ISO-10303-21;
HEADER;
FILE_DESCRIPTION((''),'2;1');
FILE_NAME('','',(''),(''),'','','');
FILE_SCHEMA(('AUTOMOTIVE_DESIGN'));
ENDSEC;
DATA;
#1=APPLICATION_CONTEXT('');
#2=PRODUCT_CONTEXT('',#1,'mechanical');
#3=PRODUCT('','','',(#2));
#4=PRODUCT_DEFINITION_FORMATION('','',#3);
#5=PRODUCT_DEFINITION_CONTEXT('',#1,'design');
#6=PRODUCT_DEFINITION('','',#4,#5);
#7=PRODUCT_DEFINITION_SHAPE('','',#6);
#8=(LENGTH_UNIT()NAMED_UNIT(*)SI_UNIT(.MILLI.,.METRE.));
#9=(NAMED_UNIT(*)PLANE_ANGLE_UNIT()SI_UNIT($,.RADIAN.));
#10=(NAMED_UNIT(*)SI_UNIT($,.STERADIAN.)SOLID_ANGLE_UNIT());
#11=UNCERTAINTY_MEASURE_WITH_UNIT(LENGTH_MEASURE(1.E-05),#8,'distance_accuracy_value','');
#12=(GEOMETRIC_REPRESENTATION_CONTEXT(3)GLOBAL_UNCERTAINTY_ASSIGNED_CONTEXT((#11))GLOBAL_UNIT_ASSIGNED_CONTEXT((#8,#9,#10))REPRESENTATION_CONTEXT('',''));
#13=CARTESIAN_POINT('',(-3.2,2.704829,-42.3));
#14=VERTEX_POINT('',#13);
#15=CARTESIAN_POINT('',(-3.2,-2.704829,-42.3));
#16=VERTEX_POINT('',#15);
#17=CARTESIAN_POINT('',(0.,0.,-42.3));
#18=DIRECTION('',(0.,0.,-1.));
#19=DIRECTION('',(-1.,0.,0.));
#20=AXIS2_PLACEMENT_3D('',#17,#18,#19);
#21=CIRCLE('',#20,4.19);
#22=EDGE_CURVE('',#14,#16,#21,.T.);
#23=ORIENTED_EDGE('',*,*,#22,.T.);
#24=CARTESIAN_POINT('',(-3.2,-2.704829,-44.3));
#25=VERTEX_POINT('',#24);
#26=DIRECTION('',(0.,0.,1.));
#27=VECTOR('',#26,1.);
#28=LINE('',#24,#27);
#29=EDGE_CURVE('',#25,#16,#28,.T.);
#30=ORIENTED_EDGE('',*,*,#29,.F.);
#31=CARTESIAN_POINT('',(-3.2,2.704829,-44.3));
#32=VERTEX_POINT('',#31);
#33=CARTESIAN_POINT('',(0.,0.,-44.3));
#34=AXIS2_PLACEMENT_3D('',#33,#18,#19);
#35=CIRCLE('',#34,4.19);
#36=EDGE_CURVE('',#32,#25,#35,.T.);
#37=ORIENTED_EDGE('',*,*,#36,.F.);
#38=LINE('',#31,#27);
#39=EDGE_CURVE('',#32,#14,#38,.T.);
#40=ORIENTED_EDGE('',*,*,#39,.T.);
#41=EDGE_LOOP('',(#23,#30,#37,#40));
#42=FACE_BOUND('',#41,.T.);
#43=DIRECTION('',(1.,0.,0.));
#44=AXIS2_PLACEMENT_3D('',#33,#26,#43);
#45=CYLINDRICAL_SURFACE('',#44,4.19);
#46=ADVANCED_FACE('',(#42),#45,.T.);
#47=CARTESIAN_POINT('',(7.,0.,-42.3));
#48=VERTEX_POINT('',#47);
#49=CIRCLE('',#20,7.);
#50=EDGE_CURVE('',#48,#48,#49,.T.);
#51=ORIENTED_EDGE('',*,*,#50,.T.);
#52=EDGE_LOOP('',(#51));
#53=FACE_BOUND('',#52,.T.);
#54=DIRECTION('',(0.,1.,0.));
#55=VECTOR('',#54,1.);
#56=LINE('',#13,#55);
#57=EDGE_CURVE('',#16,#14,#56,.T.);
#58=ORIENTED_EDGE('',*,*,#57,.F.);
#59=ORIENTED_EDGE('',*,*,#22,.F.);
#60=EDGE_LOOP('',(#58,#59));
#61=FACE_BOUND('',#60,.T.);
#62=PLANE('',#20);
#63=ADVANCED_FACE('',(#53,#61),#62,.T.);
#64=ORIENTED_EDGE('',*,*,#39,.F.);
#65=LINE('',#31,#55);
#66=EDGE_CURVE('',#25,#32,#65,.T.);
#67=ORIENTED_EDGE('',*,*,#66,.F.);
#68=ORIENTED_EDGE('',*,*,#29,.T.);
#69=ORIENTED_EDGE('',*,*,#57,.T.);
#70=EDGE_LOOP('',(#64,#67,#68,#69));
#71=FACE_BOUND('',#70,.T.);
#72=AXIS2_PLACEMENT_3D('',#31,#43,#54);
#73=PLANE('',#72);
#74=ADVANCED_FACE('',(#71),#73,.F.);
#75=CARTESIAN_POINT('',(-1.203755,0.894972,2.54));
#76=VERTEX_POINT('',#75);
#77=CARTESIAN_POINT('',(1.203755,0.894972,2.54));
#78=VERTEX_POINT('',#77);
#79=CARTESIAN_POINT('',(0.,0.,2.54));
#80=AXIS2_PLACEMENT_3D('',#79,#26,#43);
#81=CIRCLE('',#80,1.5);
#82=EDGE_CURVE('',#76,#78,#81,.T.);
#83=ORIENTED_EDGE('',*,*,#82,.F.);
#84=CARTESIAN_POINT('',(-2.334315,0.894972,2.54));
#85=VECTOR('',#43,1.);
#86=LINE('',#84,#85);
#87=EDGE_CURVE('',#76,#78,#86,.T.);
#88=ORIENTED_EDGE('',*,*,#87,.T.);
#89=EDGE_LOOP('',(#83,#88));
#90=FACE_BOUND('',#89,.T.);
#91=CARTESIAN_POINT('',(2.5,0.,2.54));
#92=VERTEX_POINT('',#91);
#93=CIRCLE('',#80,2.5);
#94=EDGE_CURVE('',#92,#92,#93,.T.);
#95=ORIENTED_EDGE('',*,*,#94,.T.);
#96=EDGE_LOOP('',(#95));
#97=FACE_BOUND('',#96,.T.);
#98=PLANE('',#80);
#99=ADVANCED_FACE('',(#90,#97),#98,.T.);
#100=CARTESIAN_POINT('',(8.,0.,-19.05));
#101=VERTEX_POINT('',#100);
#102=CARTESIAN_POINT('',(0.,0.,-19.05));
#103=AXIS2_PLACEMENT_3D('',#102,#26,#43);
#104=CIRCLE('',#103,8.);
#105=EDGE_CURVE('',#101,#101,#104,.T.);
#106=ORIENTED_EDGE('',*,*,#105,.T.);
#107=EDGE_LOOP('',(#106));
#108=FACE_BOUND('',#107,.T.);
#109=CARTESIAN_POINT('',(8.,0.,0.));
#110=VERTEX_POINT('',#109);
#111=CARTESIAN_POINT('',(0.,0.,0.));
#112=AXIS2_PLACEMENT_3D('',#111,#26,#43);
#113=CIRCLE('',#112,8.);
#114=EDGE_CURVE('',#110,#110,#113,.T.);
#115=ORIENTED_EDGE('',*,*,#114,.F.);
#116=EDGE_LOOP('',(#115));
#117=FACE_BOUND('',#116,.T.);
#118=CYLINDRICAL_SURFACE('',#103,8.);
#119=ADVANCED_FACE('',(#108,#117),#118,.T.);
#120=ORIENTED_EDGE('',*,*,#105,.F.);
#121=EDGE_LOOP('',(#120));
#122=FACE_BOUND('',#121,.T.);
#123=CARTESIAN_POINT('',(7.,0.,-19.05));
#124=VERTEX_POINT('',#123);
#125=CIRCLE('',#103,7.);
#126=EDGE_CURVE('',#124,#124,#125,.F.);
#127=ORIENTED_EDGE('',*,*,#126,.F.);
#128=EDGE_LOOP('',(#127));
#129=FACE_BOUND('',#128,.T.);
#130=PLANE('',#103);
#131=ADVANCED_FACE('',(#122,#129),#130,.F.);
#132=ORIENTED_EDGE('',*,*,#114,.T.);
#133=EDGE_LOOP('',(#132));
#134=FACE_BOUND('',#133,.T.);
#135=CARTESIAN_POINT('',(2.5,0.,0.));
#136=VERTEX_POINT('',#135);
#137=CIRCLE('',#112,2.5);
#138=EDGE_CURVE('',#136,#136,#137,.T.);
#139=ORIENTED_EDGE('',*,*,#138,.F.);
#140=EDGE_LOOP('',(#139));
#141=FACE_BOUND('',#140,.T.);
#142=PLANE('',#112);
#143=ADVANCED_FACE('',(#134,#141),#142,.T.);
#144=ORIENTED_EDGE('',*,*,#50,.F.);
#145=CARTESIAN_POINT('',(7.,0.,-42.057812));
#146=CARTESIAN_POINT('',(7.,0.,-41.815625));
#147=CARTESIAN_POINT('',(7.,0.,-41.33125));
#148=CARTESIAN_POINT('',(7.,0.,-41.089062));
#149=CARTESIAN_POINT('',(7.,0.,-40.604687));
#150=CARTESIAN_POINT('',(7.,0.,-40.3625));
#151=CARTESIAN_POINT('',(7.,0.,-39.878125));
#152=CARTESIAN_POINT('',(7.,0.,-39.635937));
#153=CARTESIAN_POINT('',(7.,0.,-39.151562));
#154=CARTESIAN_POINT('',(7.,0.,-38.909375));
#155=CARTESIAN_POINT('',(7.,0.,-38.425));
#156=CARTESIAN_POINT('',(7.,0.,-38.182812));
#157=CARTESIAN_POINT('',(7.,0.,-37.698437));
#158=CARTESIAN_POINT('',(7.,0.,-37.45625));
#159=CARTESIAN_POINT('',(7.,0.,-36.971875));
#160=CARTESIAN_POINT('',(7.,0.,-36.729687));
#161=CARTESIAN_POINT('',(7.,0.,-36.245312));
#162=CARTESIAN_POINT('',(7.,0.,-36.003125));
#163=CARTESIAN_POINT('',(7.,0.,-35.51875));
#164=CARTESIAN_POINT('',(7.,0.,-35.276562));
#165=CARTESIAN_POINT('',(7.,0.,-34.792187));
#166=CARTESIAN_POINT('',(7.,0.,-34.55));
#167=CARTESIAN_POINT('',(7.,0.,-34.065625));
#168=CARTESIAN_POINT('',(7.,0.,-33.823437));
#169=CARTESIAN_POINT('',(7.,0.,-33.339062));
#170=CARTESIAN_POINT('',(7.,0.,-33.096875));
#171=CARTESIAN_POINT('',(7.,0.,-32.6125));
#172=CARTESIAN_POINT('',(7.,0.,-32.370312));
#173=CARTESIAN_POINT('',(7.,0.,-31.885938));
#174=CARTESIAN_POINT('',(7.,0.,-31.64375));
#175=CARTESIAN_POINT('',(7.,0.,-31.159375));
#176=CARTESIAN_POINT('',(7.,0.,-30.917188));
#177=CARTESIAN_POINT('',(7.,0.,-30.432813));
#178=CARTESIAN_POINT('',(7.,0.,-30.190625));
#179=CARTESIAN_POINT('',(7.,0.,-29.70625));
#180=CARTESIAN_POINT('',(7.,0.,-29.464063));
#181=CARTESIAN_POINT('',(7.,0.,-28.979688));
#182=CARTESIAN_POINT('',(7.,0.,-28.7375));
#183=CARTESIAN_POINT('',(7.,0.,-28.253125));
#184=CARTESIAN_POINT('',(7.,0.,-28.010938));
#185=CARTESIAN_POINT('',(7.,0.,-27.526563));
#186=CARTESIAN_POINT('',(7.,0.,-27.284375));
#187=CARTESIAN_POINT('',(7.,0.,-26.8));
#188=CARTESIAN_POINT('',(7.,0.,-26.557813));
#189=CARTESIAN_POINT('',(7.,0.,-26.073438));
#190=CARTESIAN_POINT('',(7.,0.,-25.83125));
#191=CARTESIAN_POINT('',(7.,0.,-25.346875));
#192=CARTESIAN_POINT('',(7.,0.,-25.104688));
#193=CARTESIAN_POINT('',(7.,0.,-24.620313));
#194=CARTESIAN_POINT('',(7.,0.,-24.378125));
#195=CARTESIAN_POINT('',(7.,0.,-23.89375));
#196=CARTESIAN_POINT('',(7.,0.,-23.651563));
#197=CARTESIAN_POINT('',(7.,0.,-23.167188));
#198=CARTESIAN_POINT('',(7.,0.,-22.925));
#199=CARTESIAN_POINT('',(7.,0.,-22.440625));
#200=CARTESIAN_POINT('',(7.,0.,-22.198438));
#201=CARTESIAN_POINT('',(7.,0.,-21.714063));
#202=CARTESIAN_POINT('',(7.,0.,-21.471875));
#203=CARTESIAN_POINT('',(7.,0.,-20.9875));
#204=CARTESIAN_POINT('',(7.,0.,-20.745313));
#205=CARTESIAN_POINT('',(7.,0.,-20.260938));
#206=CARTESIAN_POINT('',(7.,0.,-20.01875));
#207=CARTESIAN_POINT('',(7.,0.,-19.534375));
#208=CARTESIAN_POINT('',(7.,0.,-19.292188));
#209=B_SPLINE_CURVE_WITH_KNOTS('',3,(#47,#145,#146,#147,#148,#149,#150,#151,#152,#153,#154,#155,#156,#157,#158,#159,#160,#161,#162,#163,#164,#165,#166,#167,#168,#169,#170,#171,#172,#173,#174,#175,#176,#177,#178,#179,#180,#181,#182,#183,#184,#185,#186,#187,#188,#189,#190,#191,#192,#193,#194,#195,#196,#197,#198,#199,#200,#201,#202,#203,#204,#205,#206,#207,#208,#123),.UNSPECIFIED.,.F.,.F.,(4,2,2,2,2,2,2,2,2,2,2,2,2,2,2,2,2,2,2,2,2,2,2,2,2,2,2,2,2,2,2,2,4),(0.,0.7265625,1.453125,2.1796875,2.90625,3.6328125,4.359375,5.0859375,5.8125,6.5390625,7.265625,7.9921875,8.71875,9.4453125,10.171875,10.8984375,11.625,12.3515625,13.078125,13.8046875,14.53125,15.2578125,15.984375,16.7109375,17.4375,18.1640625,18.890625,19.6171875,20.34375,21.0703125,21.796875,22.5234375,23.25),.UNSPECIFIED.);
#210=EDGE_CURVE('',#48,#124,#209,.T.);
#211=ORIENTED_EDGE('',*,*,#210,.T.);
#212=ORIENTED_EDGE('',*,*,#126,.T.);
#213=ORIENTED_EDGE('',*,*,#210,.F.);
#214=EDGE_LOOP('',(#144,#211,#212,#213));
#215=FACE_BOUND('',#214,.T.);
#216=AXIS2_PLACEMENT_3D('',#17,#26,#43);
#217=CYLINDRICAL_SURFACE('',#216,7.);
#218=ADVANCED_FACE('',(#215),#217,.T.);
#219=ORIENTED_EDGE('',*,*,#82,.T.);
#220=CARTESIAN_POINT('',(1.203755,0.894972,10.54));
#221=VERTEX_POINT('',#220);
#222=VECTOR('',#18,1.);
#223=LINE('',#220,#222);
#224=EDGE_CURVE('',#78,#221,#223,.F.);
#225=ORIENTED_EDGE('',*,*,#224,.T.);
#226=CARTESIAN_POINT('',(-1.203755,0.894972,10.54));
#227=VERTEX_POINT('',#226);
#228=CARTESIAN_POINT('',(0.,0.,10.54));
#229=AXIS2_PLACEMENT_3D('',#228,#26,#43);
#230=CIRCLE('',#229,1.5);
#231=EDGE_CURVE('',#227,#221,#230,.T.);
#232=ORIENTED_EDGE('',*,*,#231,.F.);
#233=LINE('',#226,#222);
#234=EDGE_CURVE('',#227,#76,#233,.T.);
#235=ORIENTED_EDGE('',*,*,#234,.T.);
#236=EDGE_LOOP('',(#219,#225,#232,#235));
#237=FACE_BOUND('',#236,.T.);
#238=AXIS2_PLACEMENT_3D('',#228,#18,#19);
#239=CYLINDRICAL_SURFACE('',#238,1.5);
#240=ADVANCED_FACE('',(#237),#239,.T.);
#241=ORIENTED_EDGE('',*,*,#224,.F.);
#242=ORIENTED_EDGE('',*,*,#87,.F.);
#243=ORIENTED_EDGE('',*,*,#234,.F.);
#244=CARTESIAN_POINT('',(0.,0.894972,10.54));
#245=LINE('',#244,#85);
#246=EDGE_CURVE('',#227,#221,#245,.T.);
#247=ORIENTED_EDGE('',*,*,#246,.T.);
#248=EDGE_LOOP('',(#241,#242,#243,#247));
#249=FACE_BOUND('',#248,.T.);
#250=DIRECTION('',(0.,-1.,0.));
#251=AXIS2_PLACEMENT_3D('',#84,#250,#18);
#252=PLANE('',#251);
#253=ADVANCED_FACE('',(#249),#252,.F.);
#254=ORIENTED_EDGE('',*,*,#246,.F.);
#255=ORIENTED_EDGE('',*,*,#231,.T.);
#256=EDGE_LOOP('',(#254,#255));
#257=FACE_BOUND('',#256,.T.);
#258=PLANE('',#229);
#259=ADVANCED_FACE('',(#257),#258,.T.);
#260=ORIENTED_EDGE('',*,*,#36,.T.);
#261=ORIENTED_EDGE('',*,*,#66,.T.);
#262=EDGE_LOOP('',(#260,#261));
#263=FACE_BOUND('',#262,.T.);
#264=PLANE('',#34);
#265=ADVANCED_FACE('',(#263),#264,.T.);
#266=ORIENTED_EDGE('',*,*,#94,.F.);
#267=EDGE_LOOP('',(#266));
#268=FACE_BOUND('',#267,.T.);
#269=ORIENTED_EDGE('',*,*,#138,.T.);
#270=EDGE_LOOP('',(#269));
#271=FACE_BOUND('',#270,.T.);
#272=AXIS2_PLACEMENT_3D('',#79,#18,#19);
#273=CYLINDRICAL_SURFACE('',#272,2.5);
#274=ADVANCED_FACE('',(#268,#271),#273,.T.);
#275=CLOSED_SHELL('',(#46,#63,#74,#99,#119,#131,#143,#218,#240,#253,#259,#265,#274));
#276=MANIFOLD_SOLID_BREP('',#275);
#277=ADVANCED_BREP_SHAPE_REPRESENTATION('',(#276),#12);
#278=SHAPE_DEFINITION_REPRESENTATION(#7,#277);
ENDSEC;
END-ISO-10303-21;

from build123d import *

# Parameters (mm, degrees)
SKETCH2_R           = 8
BASE_EXTRUDE_DEPTH  = 19.05
SKETCH3_R           = 2.5
BOSS_EXTRUDE1_DEPTH = 2.54
SKETCH5_R           = 1.5
BOSS_EXTRUDE2_DEPTH = 8
CUT_EXTRUDE1_START  = -8
CUT_EXTRUDE1_DEPTH  = 8
SKETCH7_R           = 7
BOSS_EXTRUDE3_DEPTH = 23.25
BOSS_EXTRUDE4_DEPTH = 2


with BuildPart() as part:
    # Sketch2 → Base-Extrude (new body)
    with BuildSketch(Plane.XY):
        Circle(SKETCH2_R)
    extrude(amount=-BASE_EXTRUDE_DEPTH)

    # Sketch3 → Boss-Extrude1 (add)
    with BuildSketch(Plane.XY):
        Circle(SKETCH3_R)
    extrude(amount=BOSS_EXTRUDE1_DEPTH)

    # Sketch5 → Boss-Extrude2 (add)
    with BuildSketch(Plane.XY.offset(2.54)):
        Circle(SKETCH5_R)
    extrude(amount=BOSS_EXTRUDE2_DEPTH)

    # Sketch6 → Cut-Extrude1 (cut)
    with BuildSketch(Plane.XY.offset(10.54).offset(CUT_EXTRUDE1_START)):
        with BuildLine():
            Line((-2.334314707, 0.894971982), (2.334314707, 0.894971982))
            ThreePointArc((2.334314707, 0.894971982), (0, 2.5), (-2.334314707, 0.894971982))
        make_face()
    extrude(amount=CUT_EXTRUDE1_DEPTH, mode=Mode.SUBTRACT)

    # Sketch7 → Boss-Extrude3 (add)
    with BuildSketch(Plane(origin=(0, 0, -19.05), x_dir=(-1, 0, 0), z_dir=(0, 0, -1))):
        with Locations(Location((0, 0, 0), (0, 0, 180))):
            Circle(SKETCH7_R)
    extrude(amount=BOSS_EXTRUDE3_DEPTH)

    # Sketch8 → Boss-Extrude4 (add)
    with BuildSketch(Plane(origin=(0, 0, -42.3), x_dir=(-1, 0, 0), z_dir=(0, 0, -1))):
        with BuildLine():
            Line((3.2, 2.704829015), (3.2, -2.704829015))
            ThreePointArc((3.2, -2.704829015), (-4.19, 0), (3.2, 2.704829015))
        make_face()
    extrude(amount=BOSS_EXTRUDE4_DEPTH)


solid = part.part
